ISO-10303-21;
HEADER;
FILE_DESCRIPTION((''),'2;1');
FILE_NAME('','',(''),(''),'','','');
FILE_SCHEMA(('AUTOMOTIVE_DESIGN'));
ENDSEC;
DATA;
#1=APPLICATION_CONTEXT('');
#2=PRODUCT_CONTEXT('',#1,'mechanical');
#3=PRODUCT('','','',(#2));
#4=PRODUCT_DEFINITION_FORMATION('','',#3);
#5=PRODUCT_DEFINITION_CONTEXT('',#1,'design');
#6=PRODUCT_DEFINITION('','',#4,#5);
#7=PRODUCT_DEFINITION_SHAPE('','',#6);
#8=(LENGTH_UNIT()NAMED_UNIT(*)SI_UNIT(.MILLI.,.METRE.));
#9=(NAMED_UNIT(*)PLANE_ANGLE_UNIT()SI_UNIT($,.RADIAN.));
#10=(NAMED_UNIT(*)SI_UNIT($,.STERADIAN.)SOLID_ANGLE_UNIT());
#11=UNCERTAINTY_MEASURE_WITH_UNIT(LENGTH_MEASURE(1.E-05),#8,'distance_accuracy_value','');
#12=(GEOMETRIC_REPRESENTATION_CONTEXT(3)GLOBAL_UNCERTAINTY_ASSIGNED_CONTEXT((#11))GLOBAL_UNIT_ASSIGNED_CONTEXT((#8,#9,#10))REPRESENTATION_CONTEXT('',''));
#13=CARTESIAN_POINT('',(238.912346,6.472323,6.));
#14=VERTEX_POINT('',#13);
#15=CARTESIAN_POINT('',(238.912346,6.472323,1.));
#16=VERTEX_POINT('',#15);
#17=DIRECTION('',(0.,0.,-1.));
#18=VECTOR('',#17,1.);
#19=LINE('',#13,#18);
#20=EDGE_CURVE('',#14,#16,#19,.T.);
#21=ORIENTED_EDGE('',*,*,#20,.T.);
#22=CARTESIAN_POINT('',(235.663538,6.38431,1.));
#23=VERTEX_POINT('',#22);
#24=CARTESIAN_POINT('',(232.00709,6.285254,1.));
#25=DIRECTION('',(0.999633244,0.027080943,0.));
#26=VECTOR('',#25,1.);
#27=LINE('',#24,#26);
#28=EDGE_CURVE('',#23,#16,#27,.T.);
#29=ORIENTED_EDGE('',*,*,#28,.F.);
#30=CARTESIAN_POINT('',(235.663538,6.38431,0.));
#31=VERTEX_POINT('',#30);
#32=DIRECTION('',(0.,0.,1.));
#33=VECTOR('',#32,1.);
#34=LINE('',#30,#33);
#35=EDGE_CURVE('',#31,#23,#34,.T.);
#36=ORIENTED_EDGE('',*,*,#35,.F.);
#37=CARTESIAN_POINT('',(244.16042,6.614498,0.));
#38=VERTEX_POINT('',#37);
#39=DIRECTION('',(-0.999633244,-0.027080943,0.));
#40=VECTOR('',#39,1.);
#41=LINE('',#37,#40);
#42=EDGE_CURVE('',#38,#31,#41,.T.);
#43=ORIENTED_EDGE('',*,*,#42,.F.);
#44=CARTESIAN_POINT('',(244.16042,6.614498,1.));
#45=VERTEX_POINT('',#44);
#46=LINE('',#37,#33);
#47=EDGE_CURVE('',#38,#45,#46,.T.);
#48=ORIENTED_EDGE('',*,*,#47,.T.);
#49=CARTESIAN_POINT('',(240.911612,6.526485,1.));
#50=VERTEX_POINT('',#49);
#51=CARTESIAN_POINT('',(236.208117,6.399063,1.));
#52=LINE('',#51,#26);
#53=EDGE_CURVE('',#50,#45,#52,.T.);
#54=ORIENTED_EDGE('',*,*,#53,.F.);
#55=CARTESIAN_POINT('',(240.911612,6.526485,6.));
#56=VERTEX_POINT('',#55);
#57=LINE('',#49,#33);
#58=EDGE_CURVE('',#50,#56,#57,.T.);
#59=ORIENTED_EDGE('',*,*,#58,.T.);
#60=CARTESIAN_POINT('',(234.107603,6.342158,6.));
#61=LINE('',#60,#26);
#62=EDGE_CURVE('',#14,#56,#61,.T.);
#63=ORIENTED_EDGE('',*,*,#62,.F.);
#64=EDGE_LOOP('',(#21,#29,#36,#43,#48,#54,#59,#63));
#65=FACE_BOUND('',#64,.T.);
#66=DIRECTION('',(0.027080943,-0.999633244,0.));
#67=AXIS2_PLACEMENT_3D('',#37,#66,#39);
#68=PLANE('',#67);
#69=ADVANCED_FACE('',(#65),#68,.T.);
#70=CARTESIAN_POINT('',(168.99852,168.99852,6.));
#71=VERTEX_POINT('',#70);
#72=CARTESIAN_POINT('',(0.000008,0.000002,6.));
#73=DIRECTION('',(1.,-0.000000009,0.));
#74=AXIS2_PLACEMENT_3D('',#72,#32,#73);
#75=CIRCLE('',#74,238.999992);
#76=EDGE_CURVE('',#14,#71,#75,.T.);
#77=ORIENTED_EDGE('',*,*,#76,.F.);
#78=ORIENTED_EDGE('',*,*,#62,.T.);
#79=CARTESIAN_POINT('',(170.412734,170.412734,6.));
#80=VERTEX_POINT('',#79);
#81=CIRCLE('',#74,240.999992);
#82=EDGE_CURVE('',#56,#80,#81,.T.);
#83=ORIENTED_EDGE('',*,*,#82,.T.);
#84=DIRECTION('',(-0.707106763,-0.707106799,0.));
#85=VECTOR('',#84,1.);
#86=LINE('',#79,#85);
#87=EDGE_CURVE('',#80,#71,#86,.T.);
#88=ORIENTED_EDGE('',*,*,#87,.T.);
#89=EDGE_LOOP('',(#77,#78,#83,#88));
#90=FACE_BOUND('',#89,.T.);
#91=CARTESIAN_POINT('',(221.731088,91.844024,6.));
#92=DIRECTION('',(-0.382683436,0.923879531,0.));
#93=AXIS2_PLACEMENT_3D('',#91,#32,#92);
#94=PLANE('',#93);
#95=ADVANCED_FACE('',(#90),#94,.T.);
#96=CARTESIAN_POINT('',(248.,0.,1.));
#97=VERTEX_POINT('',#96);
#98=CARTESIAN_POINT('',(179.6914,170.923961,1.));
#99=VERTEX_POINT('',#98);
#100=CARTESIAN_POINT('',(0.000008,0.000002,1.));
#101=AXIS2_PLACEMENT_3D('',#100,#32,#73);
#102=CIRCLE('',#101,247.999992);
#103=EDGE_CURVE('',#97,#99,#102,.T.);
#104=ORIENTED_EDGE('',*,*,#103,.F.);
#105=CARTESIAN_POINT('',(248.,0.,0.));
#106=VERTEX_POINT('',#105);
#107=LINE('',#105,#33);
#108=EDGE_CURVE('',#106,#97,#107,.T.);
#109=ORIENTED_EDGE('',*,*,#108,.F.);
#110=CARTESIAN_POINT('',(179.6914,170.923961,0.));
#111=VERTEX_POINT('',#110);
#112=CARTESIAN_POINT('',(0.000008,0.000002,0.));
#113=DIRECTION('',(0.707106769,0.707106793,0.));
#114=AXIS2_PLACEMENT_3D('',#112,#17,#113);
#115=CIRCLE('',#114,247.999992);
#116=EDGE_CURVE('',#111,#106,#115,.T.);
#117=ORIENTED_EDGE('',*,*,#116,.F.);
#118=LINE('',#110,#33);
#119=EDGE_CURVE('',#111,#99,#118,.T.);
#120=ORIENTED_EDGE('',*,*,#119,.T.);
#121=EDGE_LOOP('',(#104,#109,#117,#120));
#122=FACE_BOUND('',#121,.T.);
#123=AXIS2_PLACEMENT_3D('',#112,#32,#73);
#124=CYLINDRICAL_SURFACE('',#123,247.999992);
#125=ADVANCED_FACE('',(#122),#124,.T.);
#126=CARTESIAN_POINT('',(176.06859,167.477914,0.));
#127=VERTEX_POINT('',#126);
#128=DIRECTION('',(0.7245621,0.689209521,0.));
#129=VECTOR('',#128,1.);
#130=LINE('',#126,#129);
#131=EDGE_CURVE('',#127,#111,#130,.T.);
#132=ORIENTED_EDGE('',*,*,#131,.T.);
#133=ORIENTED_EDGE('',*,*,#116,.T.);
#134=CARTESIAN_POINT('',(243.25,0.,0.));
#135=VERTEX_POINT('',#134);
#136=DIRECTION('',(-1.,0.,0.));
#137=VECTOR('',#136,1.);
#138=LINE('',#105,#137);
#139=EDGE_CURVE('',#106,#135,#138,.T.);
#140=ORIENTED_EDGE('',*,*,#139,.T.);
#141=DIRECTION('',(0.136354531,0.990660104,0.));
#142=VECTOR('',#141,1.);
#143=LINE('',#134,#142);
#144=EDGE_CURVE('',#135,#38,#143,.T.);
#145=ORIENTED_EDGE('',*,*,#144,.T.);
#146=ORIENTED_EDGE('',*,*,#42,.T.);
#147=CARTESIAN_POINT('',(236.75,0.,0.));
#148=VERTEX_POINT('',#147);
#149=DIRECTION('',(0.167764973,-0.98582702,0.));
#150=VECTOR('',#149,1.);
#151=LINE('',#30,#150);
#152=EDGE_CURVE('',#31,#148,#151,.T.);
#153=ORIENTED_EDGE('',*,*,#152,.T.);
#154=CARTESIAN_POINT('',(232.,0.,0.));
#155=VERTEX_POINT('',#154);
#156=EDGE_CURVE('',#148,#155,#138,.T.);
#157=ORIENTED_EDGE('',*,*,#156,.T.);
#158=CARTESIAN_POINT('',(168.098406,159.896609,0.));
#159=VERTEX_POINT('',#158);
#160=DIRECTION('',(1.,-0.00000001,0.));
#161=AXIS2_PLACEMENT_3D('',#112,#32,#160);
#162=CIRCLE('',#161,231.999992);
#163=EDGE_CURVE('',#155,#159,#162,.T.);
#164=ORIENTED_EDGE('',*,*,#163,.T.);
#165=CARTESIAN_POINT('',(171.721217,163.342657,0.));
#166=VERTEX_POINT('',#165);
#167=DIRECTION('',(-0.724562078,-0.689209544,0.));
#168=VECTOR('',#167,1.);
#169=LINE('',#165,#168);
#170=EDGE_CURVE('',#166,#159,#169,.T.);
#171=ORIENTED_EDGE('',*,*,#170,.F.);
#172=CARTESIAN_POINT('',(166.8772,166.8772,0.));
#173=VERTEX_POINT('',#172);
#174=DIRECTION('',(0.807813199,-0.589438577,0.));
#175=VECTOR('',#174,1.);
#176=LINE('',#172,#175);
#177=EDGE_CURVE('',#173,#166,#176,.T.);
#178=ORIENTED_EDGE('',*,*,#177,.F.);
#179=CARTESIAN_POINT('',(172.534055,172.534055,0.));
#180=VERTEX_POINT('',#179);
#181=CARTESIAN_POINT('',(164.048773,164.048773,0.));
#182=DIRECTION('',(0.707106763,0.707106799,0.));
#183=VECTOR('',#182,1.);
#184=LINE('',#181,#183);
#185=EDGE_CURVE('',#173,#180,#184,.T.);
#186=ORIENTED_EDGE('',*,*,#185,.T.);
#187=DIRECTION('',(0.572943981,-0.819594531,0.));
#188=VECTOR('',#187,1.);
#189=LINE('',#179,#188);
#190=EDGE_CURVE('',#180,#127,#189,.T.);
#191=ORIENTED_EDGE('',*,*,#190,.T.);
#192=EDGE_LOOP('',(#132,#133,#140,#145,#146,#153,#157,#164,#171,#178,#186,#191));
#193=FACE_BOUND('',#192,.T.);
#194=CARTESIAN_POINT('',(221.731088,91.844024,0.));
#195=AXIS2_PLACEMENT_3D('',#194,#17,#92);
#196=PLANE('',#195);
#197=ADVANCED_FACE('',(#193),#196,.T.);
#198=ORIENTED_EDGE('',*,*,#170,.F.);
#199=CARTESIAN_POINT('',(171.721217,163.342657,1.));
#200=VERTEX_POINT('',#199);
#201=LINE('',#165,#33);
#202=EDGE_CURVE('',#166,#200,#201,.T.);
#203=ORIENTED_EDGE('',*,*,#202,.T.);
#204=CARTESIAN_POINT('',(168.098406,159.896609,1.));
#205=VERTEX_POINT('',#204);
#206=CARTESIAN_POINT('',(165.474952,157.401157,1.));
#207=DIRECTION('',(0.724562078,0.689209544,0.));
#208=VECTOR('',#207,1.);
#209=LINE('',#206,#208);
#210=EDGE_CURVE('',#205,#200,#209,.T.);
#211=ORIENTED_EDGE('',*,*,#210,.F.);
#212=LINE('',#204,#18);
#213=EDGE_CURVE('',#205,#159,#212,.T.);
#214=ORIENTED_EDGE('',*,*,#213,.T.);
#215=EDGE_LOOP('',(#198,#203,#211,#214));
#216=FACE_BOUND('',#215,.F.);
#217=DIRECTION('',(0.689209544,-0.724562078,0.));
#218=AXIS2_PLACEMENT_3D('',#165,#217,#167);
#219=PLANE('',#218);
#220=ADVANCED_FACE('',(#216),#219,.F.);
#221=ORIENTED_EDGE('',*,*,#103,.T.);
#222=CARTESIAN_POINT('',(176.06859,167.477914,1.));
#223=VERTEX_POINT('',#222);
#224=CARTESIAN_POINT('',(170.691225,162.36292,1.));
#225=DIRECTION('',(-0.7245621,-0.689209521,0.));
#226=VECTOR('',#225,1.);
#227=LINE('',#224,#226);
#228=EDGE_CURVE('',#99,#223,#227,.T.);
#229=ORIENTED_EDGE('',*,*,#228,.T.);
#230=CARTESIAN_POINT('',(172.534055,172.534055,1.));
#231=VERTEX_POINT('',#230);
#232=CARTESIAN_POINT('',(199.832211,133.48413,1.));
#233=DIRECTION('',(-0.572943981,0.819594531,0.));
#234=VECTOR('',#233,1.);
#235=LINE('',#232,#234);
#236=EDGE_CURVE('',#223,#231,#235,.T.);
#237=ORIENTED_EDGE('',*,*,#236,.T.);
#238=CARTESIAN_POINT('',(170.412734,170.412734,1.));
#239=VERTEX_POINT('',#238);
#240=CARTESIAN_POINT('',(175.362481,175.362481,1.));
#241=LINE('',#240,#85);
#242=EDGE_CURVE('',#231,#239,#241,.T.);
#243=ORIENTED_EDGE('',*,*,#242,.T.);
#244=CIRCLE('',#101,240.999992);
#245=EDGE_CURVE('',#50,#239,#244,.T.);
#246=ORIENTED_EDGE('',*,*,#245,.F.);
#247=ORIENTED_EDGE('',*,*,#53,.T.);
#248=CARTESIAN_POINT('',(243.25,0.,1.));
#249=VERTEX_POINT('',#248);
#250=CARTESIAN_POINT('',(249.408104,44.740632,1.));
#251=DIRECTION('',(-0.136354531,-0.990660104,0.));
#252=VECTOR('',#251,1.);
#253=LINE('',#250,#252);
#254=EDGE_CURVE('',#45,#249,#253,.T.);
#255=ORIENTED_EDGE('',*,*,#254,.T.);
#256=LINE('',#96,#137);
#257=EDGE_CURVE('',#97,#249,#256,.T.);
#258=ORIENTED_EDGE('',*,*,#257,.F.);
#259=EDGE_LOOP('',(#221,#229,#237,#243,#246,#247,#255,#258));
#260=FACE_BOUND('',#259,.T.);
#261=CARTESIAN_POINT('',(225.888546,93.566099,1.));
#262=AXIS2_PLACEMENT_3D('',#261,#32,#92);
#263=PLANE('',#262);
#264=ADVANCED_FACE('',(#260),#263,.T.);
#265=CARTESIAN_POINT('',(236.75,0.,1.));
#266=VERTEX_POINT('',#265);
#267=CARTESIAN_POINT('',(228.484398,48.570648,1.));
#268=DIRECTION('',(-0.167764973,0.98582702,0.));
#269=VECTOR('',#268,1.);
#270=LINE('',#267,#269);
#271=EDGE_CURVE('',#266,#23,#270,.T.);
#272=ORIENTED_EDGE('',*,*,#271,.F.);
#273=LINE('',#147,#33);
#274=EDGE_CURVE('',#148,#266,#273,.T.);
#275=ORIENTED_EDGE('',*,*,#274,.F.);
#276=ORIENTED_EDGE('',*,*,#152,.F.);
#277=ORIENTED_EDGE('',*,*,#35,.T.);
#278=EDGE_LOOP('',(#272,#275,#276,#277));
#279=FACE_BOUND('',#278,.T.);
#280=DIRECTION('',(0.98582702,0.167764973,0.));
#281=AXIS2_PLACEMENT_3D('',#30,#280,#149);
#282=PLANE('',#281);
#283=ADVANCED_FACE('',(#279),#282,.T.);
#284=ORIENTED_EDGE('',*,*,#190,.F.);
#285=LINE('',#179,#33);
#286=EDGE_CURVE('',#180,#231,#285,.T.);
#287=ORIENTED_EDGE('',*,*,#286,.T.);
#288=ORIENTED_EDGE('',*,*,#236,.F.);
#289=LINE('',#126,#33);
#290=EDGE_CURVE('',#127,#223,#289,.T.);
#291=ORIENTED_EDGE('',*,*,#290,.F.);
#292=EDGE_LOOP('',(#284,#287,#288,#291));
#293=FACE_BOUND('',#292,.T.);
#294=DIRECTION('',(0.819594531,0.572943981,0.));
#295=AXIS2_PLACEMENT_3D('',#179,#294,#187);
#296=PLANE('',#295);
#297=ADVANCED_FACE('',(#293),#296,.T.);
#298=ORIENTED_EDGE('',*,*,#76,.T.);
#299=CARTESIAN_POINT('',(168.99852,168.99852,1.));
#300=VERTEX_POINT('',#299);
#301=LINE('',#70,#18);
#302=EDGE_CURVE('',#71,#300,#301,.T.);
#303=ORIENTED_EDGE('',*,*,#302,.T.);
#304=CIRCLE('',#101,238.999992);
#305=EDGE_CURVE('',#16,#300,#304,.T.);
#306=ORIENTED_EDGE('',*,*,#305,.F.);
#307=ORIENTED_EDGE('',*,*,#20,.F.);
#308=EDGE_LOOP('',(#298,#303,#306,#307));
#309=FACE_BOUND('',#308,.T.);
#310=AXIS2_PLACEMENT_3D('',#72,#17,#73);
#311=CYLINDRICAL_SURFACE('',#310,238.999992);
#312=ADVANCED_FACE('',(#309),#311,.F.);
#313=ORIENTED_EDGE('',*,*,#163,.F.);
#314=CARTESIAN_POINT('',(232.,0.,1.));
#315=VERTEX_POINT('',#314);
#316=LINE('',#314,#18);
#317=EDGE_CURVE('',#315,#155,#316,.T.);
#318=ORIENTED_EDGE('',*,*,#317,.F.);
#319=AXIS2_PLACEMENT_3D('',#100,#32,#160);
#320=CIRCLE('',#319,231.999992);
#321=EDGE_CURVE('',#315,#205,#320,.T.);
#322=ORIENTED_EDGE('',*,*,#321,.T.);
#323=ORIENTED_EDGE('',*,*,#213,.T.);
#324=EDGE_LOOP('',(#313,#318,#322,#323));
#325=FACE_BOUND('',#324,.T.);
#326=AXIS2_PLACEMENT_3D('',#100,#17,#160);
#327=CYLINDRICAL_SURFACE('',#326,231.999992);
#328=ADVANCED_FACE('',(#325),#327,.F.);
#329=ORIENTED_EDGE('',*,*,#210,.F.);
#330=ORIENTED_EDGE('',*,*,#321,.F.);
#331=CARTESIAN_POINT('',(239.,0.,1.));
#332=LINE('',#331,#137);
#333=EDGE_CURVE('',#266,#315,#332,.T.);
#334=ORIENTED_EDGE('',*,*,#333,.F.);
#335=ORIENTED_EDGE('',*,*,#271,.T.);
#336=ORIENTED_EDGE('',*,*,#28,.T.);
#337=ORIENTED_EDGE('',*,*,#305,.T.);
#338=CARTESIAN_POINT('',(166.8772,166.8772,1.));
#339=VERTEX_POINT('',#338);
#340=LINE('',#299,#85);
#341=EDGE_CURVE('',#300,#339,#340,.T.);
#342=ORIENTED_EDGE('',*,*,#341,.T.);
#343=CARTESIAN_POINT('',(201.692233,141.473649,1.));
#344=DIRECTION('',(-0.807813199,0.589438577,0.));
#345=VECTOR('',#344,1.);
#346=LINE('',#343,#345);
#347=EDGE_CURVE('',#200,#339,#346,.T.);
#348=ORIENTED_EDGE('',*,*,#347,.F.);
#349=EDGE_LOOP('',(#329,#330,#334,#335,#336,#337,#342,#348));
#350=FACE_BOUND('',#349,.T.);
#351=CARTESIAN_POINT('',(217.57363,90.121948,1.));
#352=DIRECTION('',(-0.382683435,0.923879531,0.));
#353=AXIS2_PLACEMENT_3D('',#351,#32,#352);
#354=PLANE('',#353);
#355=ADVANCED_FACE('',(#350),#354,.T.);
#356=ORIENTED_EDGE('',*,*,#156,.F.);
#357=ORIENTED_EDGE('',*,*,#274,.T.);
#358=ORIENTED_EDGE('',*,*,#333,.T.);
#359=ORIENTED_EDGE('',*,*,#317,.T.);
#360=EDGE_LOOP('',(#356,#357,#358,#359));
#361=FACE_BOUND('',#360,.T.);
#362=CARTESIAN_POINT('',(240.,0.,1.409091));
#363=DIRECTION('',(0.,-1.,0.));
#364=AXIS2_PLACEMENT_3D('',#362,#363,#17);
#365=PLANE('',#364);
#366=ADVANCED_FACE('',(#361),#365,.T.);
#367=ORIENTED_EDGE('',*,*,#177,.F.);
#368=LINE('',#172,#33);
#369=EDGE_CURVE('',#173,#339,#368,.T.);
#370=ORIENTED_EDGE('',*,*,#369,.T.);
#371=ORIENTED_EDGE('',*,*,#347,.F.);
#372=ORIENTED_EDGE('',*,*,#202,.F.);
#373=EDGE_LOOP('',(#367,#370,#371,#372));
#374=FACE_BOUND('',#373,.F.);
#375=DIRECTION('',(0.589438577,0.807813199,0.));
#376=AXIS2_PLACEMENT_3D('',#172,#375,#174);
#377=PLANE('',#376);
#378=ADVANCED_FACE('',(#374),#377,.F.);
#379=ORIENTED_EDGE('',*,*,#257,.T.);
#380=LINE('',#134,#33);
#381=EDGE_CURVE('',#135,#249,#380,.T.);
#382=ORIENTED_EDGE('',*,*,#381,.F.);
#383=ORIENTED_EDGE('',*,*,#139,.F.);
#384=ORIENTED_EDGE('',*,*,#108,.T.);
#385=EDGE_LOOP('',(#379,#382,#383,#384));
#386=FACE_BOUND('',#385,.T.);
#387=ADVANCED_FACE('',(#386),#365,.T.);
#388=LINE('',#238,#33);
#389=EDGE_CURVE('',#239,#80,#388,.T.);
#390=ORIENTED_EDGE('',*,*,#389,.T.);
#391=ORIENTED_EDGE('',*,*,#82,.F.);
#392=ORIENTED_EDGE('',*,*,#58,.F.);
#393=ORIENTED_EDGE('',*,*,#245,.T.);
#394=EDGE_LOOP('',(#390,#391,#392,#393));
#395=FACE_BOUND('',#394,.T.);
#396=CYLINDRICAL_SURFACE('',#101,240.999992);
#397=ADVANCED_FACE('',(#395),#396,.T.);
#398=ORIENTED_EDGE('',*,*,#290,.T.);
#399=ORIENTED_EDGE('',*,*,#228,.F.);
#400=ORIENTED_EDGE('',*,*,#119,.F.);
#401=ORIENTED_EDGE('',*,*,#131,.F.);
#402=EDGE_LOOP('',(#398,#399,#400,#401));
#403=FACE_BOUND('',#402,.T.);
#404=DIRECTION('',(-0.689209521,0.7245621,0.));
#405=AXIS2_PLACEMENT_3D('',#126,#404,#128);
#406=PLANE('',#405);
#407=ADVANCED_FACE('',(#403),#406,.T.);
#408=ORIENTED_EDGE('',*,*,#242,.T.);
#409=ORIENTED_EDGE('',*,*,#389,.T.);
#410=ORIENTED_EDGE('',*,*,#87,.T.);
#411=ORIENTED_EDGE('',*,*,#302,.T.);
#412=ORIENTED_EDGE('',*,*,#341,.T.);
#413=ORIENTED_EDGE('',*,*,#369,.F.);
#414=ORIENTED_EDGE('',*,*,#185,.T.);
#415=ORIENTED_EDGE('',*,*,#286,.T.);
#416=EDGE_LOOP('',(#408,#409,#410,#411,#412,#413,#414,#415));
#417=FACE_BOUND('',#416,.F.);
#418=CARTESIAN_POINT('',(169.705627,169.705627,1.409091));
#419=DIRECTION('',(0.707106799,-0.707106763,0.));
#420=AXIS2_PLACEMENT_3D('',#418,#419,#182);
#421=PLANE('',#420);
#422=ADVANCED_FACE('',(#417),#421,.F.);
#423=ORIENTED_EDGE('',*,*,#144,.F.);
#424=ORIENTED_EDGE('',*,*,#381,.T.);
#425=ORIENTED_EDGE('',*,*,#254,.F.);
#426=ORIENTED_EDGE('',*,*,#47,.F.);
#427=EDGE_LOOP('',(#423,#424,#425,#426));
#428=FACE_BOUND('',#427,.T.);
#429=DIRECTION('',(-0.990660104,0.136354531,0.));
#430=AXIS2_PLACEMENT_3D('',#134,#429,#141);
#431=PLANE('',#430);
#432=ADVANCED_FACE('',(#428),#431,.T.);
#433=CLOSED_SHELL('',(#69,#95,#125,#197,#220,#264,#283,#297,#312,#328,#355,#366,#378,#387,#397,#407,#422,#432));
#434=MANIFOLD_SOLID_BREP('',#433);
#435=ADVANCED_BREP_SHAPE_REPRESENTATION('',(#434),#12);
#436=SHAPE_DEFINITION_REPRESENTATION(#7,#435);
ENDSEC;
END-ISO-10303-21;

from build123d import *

# Parameters (mm, degrees)
POCKET_DEPTH         = 0.001
POCKET_DEPTH_BACK    = 6.001
POCKET001_DEPTH      = 0.001
POCKET001_DEPTH_BACK = 6.001


with BuildPart() as part:
    # AdditivePipe: sweep along a path in Sketch
    with BuildLine(Plane.XY) as additivepipe_path:
        ThreePointArc((240, 0), (221.731088, 91.844024), (169.705627, 169.705627))
    # Sketch001 → AdditivePipe (sweep)
    with BuildSketch(Plane(origin=(240, 0, 0), x_dir=(1, 0, 0), z_dir=(0, -1, 0))):
        Polygon((-8, 0), (8, 0), (8, 1), (1, 1), (1, 6), (-1, 6), (-1, 1), (-8, 1), align=None)
    sweep(path=additivepipe_path.line, is_frenet=True)

    # Sketch002 → Pocket (cut, two sides)
    with BuildSketch(Plane.XY) as pocket_sk:
        Polygon((235.663538, 6.38431), (236.75, 0), (243.25, 0), (244.16042, 6.614498), align=None)
    extrude(amount=-POCKET_DEPTH, mode=Mode.SUBTRACT)
    extrude(pocket_sk.sketch, amount=POCKET_DEPTH_BACK, mode=Mode.SUBTRACT)

    # Sketch003 → Pocket001 (cut, two sides)
    with BuildSketch(Plane.XY) as pocket001_sk:
        Polygon((166.8772, 166.8772), (171.721217, 163.342657), (155.73217, 148.133741), (152.027958, 152.027958), align=None)
        Polygon((172.534055, 172.534055), (176.06859, 167.477914), (192.057638, 182.68683), (187.383297, 187.383297), align=None)
    extrude(amount=-POCKET001_DEPTH, mode=Mode.SUBTRACT)
    extrude(pocket001_sk.sketch, amount=POCKET001_DEPTH_BACK, mode=Mode.SUBTRACT)


solid = part.part
